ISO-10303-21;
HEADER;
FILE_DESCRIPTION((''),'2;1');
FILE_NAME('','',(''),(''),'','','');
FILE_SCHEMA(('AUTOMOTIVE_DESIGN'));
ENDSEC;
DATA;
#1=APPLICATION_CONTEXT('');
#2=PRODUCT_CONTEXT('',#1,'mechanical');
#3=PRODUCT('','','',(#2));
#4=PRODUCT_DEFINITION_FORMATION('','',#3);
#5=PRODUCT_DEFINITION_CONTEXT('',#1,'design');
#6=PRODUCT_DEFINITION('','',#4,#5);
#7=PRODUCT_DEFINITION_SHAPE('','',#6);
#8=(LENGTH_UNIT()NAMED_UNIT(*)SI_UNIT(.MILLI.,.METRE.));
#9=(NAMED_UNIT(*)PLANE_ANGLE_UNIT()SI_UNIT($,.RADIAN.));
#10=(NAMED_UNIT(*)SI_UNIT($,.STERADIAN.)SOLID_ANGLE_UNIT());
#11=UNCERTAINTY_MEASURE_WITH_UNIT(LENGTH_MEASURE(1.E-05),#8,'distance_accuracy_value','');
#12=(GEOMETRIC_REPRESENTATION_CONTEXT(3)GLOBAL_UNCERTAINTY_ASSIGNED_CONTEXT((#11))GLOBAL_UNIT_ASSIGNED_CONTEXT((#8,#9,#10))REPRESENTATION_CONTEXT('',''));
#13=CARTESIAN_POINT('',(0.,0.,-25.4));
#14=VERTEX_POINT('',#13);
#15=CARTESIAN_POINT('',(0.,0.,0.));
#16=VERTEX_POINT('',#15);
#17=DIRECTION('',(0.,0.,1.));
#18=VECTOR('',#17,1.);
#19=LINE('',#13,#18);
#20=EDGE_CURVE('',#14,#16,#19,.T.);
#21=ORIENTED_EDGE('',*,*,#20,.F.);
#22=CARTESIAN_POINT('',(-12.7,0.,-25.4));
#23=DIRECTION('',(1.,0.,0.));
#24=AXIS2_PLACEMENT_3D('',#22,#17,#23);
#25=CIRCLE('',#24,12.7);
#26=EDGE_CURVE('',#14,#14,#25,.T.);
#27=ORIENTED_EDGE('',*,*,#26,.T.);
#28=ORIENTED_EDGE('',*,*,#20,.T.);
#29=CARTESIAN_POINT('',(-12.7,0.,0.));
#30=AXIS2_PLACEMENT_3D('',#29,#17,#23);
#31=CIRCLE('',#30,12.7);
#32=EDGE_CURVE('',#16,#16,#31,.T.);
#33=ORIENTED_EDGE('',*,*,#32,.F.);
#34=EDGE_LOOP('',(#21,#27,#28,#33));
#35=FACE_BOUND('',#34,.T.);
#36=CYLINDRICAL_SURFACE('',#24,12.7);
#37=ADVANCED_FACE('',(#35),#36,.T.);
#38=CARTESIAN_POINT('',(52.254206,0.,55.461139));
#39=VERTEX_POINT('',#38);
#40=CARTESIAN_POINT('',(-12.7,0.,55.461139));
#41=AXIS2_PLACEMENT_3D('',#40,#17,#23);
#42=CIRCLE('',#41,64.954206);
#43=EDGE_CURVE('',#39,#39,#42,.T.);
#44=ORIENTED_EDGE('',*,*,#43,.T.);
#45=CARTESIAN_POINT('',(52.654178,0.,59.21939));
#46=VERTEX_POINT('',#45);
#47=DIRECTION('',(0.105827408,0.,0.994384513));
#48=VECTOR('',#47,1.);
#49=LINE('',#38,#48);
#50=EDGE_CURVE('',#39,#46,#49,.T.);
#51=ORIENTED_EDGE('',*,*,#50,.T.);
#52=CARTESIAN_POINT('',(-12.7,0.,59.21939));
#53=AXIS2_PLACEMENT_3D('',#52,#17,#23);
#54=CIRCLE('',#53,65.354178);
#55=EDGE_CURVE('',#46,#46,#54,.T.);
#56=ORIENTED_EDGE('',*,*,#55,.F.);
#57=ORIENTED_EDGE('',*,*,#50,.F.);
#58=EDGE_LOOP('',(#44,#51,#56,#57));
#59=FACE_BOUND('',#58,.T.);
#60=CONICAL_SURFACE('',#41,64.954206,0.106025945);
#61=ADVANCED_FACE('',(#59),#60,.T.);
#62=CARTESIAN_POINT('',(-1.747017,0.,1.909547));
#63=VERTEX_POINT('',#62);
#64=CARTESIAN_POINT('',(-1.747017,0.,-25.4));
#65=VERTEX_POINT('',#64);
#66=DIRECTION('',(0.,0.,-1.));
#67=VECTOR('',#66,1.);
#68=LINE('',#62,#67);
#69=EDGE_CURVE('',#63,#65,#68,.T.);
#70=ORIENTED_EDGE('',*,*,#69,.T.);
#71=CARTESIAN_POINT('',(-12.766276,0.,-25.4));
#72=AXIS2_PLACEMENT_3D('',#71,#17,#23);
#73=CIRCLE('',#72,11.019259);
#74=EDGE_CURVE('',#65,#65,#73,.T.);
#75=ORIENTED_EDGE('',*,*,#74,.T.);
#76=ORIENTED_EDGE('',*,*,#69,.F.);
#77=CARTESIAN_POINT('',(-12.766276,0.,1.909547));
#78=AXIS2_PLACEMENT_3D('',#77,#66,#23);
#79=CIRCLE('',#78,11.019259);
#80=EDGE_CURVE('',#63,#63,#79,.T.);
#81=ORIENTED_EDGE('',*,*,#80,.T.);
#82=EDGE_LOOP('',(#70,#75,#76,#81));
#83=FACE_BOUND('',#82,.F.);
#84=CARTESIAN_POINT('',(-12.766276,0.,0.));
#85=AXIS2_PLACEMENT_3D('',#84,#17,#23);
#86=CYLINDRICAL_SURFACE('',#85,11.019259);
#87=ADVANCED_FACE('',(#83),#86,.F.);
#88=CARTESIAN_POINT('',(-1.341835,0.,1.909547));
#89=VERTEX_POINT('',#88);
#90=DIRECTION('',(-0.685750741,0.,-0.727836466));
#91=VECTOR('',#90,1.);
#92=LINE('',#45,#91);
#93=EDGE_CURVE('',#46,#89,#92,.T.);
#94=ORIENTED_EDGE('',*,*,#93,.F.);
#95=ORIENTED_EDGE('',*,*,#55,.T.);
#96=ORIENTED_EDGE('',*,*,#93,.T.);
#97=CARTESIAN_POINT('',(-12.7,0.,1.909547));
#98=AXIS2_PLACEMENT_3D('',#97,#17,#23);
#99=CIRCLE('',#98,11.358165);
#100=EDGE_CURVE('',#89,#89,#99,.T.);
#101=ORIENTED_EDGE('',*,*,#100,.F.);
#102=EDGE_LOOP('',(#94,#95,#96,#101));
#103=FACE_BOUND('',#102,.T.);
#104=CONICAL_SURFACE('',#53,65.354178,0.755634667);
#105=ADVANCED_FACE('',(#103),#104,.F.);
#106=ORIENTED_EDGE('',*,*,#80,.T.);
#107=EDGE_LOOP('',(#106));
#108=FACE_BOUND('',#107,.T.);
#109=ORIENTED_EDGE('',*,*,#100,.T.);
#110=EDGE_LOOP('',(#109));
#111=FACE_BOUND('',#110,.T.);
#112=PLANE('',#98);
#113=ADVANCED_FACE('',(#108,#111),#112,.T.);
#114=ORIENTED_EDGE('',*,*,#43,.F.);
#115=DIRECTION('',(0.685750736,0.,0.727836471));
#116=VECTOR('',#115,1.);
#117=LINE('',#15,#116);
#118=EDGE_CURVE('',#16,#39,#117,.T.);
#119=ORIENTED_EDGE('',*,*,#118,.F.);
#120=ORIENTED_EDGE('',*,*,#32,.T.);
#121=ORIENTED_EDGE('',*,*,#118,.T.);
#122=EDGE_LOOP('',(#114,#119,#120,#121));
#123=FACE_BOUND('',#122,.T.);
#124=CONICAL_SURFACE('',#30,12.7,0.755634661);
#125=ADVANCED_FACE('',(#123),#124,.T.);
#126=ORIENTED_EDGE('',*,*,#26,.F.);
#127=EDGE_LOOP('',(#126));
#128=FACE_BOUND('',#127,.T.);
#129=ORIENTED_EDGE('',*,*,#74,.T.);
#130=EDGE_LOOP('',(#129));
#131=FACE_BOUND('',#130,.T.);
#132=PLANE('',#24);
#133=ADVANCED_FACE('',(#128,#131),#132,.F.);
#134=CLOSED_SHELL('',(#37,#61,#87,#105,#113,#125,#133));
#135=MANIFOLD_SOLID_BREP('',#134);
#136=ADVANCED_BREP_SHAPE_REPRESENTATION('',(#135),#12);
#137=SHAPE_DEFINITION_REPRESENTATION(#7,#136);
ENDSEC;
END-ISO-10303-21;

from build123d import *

# Parameters (mm, degrees)
F2_R     = 11.019259
F3_DEPTH = 50.8
F4_DEPTH = 25.4


with BuildPart() as f1:
    # F0 (on Front) → F1 (revolve)
    with BuildSketch(Plane.XZ):
        Polygon((0, -25.4), (0, 0), (52.254206, 55.461139), (52.654178, 59.21939), (-1.341835, 1.909547), (-12.7, 1.909547), (-12.7, -25.4), align=None)
    revolve(axis=Axis((-12.7, 0, -11.745227), (0, 0, 1)))

    # F2 (on Top) → F3 (cut)
    with BuildSketch(Plane.XY):
        with Locations((-12.766276, 0)):
            Circle(F2_R)
    extrude(amount=-F3_DEPTH, mode=Mode.SUBTRACT)

    # F2 (on Top) → F4 (cut)
    with BuildSketch(Plane.XY):
        with Locations((-12.766276, 0)):
            Circle(F2_R)
    extrude(amount=F4_DEPTH, mode=Mode.SUBTRACT)


solid = f1.part
